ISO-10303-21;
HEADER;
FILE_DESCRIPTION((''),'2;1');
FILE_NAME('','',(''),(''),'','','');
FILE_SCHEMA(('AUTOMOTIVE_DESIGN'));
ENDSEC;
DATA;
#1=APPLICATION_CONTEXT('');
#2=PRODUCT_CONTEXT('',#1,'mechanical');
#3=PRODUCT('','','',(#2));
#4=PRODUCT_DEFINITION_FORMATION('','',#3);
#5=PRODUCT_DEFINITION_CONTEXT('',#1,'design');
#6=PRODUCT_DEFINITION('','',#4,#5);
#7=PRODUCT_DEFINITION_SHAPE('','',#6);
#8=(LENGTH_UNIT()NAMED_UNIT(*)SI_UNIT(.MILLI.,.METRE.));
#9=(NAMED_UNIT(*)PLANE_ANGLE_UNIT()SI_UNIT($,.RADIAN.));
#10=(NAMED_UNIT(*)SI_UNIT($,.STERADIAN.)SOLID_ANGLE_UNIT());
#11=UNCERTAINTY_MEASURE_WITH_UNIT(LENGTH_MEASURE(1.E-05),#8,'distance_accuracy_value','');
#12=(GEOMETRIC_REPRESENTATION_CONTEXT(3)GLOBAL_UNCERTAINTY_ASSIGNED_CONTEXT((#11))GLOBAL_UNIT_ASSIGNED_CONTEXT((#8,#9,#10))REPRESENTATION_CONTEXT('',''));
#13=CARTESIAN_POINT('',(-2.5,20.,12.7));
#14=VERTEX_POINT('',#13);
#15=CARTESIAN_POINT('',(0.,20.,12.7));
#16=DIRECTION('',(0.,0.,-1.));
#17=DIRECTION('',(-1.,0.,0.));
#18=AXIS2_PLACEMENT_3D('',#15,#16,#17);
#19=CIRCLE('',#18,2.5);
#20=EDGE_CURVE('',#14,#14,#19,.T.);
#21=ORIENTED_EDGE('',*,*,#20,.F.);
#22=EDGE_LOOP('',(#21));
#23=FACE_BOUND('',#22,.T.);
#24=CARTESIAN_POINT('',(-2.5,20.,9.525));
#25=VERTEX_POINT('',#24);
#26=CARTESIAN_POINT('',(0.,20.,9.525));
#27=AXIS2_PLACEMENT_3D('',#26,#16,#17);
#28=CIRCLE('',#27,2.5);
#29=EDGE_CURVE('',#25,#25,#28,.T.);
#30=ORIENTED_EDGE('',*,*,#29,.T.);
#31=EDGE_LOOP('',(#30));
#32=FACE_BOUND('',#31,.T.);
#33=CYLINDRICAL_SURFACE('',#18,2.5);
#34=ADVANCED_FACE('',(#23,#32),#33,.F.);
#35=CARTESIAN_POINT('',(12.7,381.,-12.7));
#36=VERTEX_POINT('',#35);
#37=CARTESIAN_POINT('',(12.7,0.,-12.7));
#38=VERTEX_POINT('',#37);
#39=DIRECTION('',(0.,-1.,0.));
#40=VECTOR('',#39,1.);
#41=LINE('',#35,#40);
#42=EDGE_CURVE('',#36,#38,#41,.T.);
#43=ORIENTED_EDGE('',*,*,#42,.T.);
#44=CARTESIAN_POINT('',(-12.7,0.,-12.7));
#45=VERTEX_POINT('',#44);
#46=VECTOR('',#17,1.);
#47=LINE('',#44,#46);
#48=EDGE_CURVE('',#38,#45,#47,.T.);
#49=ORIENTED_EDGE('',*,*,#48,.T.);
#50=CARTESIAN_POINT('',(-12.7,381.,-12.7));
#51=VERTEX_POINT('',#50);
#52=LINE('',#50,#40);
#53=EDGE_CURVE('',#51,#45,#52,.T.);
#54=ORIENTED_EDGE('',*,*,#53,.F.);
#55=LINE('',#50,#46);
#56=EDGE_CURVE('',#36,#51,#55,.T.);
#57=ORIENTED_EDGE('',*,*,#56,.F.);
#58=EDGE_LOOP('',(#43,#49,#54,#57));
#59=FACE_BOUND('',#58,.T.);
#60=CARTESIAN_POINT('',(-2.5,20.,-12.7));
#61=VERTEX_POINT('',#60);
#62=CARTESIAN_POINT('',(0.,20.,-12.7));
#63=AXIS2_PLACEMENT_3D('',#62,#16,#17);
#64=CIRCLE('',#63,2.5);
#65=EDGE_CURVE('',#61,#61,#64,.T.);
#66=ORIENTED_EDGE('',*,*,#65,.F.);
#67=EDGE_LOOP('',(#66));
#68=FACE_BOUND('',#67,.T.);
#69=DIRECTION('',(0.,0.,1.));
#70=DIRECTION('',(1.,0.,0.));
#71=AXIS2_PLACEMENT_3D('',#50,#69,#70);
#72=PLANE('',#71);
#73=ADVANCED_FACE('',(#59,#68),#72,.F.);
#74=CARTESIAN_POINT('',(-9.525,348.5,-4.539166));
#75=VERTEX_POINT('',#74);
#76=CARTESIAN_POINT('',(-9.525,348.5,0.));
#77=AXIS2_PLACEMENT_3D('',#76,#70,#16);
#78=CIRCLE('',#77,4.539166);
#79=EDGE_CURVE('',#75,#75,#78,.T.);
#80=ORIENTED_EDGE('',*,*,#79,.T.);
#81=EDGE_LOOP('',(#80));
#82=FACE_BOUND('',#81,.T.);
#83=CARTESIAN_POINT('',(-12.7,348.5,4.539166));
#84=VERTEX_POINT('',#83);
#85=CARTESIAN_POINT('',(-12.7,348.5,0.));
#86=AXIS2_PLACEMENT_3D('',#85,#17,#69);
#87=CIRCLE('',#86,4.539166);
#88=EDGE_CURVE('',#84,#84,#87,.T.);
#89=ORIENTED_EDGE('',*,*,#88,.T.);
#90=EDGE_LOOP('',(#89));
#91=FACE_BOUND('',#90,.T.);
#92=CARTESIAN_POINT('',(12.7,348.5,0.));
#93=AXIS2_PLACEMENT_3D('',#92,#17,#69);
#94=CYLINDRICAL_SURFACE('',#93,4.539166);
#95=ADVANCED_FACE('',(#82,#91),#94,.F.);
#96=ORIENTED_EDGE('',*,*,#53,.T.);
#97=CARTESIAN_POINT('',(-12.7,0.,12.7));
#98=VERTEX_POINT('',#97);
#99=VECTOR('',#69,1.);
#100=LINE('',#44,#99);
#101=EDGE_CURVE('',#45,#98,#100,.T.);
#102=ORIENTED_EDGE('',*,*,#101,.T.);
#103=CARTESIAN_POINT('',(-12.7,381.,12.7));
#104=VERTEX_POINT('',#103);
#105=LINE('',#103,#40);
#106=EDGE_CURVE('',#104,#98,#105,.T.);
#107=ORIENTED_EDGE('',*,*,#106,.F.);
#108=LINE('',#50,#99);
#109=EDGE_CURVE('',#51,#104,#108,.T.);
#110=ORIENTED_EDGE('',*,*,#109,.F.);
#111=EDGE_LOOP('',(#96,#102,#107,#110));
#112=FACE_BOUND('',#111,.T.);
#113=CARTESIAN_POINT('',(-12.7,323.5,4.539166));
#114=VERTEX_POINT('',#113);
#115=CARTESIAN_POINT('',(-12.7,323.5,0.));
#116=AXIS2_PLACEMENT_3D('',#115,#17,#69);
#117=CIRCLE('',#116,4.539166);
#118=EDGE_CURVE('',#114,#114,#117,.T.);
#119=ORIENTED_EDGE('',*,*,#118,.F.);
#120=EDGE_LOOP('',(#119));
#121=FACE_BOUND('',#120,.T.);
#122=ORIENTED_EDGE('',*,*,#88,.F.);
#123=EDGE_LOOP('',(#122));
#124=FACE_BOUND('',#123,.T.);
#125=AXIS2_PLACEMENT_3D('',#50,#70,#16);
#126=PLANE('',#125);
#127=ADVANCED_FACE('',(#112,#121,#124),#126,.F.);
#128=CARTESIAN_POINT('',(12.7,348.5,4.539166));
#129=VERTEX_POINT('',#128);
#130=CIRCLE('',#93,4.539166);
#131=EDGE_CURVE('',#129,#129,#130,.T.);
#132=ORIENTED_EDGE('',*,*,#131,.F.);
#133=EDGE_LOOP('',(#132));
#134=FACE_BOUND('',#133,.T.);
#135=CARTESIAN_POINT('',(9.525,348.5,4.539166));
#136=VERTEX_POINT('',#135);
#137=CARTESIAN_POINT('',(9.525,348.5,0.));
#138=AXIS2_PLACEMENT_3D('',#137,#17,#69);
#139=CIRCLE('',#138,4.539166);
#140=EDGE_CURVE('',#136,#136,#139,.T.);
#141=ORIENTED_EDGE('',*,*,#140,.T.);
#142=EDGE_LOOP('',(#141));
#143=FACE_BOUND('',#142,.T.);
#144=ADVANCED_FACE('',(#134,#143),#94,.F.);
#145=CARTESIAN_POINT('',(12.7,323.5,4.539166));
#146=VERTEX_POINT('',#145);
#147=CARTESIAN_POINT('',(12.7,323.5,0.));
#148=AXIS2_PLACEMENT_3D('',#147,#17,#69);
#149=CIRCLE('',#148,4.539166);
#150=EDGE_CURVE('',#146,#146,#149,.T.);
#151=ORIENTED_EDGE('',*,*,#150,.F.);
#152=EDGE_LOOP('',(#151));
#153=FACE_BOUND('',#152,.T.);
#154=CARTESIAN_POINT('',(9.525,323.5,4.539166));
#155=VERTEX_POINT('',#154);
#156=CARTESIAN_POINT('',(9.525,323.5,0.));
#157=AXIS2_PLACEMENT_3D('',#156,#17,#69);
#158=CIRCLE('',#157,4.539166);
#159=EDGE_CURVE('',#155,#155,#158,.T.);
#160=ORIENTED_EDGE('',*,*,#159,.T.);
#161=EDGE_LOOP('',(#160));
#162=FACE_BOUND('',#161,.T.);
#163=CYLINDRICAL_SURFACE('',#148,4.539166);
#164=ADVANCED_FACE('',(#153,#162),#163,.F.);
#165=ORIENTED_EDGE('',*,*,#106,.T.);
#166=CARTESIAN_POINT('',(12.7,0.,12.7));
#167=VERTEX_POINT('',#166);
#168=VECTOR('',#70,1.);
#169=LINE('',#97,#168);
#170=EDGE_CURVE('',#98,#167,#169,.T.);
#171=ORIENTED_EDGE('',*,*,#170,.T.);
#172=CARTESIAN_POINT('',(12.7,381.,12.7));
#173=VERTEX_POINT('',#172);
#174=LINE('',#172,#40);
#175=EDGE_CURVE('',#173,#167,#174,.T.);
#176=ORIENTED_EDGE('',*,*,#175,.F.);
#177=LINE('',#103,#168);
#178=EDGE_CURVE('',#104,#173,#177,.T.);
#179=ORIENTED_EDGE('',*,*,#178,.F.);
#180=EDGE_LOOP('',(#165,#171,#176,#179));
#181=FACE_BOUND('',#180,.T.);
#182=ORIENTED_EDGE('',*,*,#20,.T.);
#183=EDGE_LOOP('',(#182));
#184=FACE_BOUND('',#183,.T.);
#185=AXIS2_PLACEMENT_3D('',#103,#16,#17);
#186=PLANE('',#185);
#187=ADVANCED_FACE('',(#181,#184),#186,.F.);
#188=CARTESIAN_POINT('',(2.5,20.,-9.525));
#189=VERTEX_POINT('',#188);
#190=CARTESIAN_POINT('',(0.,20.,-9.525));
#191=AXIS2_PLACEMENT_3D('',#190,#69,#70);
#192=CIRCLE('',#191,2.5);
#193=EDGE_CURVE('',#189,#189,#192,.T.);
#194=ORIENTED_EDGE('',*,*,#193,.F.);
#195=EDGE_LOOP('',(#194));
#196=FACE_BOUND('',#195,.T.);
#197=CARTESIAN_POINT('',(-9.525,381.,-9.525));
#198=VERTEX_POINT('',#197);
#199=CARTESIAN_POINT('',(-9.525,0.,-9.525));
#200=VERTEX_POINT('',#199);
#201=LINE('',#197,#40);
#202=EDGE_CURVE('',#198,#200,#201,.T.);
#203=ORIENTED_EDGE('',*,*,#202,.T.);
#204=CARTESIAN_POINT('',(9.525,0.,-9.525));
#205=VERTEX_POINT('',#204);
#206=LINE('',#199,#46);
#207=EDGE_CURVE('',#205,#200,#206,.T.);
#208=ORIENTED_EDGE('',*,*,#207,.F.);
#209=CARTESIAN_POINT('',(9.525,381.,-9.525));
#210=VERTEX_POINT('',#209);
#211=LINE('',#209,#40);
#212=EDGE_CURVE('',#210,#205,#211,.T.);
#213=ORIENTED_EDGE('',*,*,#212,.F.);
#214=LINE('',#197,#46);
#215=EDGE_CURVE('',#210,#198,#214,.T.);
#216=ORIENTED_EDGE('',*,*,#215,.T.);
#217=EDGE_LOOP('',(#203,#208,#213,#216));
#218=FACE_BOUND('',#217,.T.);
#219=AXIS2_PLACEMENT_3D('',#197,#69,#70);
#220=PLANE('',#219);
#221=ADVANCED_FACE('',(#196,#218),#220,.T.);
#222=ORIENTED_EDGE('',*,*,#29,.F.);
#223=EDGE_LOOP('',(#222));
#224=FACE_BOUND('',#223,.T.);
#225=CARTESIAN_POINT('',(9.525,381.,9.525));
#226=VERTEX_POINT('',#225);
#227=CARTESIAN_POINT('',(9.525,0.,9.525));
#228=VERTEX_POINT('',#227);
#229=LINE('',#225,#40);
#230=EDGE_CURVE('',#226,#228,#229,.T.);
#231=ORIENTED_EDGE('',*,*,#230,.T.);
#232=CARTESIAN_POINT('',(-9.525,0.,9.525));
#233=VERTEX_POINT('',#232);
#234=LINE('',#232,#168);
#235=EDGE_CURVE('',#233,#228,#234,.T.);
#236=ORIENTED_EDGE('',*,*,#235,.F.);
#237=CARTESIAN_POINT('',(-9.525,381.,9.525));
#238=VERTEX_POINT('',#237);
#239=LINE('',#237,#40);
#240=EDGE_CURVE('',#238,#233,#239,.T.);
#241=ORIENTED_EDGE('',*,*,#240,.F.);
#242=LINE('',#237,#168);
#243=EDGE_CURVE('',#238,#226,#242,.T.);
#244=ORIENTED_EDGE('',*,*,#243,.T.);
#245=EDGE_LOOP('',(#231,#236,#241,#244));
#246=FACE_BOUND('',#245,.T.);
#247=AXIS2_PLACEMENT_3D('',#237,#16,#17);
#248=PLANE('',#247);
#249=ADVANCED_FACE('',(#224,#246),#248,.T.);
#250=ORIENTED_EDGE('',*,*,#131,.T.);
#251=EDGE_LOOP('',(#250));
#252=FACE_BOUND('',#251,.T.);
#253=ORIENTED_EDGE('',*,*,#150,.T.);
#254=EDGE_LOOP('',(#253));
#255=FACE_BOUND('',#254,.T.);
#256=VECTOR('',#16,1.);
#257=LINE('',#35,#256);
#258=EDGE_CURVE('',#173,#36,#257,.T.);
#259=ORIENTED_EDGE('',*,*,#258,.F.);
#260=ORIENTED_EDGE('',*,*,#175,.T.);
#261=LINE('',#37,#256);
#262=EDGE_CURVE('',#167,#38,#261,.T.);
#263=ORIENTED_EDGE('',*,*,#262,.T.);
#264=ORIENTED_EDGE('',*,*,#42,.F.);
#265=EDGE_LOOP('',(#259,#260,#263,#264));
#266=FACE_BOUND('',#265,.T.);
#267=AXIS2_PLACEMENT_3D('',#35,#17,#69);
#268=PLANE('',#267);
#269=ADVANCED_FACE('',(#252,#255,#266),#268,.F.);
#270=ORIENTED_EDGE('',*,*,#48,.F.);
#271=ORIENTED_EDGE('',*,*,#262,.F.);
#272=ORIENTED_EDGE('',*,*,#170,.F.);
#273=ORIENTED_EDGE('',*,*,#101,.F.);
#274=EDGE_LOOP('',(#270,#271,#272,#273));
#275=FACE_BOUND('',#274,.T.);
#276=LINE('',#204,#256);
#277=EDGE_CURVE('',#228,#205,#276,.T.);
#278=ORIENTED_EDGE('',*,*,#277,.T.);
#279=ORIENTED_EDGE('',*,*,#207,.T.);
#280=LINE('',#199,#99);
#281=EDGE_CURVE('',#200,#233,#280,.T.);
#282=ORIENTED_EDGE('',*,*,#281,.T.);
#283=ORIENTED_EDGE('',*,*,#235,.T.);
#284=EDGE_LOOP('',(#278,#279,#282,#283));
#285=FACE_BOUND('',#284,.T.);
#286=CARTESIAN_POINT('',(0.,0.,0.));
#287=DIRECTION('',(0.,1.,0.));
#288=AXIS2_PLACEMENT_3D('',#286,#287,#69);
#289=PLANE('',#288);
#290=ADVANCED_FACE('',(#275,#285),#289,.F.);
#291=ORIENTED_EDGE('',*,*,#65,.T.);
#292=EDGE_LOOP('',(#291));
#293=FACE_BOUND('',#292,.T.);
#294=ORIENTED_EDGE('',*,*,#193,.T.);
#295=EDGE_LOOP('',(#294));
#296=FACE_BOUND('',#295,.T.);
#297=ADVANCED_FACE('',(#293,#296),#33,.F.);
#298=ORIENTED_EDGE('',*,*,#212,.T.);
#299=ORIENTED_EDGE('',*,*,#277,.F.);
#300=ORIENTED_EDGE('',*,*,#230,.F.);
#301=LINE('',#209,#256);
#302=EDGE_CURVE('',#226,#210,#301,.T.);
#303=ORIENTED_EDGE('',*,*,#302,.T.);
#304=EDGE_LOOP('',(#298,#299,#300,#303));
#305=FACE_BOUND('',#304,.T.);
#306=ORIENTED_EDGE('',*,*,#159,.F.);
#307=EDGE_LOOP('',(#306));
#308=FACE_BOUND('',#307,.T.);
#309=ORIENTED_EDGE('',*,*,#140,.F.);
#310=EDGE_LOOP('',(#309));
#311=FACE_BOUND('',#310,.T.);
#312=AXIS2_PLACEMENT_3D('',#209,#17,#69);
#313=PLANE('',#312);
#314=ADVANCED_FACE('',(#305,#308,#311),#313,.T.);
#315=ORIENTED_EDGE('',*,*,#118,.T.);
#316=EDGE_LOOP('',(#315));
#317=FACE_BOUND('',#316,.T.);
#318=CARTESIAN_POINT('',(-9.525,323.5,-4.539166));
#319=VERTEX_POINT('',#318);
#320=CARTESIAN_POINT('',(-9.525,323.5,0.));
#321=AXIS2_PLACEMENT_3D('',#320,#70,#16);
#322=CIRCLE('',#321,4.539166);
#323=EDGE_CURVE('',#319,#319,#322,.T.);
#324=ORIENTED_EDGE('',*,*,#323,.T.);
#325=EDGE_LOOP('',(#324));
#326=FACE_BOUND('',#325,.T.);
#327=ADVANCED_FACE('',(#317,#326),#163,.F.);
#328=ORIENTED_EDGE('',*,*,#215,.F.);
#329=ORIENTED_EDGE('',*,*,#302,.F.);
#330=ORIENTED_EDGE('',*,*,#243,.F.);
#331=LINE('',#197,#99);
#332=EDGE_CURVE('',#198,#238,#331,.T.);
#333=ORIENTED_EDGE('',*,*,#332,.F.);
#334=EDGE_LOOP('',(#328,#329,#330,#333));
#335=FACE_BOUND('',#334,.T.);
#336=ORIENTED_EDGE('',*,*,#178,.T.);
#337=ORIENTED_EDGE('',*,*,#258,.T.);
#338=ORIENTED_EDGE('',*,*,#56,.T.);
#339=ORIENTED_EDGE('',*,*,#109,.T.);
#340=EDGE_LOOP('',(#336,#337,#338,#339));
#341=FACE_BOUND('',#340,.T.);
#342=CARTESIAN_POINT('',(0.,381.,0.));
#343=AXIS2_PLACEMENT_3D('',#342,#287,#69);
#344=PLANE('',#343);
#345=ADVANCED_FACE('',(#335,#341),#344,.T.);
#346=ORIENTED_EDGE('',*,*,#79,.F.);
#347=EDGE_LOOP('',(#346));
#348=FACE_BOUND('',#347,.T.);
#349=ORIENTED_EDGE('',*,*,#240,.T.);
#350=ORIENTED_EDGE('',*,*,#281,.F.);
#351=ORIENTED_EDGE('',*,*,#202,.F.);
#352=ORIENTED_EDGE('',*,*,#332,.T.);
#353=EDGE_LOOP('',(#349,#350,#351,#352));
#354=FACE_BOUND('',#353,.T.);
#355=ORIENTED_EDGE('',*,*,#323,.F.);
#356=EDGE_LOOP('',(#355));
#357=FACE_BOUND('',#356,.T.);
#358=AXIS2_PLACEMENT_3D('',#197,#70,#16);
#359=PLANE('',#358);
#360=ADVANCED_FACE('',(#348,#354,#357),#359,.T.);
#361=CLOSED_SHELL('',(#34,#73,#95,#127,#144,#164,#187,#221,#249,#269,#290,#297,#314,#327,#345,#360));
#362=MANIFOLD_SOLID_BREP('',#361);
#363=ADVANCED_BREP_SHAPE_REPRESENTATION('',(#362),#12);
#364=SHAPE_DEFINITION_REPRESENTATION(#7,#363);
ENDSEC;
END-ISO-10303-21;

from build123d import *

# Parameters (mm, degrees)
SKETCH1_W           = 25.4
SKETCH1_H           = 25.4
SKETCH1_W_2         = 19.05
SKETCH1_H_2         = 19.05
BOSS_EXTRUDE1_DEPTH = 381
SKETCH2_R           = 2.5
CUT_EXTRUDE1_DEPTH  = 26.4
SKETCH3_R           = 4.539166488
CUT_EXTRUDE2_DEPTH  = 26.4


with BuildPart() as part:
    # Sketch1 → Boss-Extrude1 (new body)
    with BuildSketch(Plane(origin=(0, 0, 0), x_dir=(1, 0, 0), z_dir=(0, 1, 0))):
        Rectangle(SKETCH1_W, SKETCH1_H)
        Rectangle(SKETCH1_W_2, SKETCH1_H_2, mode=Mode.SUBTRACT)
    extrude(amount=BOSS_EXTRUDE1_DEPTH)

    # Sketch2 → Cut-Extrude1 (cut, through all)
    with BuildSketch(Plane(origin=(0, 0, -12.7), x_dir=(-1, 0, 0), z_dir=(0, 0, -1))):
        with Locations((0, 20)):
            Circle(SKETCH2_R)
    extrude(amount=-CUT_EXTRUDE1_DEPTH, mode=Mode.SUBTRACT)

    # Sketch3 → Cut-Extrude2 (cut, through all)
    with BuildSketch(Plane.ZY.offset(12.7)):
        with Locations((0, 348.5)):
            Circle(SKETCH3_R)
        with Locations((0, 323.5)):
            Circle(SKETCH3_R)
    extrude(amount=-CUT_EXTRUDE2_DEPTH, mode=Mode.SUBTRACT)


solid = part.part
